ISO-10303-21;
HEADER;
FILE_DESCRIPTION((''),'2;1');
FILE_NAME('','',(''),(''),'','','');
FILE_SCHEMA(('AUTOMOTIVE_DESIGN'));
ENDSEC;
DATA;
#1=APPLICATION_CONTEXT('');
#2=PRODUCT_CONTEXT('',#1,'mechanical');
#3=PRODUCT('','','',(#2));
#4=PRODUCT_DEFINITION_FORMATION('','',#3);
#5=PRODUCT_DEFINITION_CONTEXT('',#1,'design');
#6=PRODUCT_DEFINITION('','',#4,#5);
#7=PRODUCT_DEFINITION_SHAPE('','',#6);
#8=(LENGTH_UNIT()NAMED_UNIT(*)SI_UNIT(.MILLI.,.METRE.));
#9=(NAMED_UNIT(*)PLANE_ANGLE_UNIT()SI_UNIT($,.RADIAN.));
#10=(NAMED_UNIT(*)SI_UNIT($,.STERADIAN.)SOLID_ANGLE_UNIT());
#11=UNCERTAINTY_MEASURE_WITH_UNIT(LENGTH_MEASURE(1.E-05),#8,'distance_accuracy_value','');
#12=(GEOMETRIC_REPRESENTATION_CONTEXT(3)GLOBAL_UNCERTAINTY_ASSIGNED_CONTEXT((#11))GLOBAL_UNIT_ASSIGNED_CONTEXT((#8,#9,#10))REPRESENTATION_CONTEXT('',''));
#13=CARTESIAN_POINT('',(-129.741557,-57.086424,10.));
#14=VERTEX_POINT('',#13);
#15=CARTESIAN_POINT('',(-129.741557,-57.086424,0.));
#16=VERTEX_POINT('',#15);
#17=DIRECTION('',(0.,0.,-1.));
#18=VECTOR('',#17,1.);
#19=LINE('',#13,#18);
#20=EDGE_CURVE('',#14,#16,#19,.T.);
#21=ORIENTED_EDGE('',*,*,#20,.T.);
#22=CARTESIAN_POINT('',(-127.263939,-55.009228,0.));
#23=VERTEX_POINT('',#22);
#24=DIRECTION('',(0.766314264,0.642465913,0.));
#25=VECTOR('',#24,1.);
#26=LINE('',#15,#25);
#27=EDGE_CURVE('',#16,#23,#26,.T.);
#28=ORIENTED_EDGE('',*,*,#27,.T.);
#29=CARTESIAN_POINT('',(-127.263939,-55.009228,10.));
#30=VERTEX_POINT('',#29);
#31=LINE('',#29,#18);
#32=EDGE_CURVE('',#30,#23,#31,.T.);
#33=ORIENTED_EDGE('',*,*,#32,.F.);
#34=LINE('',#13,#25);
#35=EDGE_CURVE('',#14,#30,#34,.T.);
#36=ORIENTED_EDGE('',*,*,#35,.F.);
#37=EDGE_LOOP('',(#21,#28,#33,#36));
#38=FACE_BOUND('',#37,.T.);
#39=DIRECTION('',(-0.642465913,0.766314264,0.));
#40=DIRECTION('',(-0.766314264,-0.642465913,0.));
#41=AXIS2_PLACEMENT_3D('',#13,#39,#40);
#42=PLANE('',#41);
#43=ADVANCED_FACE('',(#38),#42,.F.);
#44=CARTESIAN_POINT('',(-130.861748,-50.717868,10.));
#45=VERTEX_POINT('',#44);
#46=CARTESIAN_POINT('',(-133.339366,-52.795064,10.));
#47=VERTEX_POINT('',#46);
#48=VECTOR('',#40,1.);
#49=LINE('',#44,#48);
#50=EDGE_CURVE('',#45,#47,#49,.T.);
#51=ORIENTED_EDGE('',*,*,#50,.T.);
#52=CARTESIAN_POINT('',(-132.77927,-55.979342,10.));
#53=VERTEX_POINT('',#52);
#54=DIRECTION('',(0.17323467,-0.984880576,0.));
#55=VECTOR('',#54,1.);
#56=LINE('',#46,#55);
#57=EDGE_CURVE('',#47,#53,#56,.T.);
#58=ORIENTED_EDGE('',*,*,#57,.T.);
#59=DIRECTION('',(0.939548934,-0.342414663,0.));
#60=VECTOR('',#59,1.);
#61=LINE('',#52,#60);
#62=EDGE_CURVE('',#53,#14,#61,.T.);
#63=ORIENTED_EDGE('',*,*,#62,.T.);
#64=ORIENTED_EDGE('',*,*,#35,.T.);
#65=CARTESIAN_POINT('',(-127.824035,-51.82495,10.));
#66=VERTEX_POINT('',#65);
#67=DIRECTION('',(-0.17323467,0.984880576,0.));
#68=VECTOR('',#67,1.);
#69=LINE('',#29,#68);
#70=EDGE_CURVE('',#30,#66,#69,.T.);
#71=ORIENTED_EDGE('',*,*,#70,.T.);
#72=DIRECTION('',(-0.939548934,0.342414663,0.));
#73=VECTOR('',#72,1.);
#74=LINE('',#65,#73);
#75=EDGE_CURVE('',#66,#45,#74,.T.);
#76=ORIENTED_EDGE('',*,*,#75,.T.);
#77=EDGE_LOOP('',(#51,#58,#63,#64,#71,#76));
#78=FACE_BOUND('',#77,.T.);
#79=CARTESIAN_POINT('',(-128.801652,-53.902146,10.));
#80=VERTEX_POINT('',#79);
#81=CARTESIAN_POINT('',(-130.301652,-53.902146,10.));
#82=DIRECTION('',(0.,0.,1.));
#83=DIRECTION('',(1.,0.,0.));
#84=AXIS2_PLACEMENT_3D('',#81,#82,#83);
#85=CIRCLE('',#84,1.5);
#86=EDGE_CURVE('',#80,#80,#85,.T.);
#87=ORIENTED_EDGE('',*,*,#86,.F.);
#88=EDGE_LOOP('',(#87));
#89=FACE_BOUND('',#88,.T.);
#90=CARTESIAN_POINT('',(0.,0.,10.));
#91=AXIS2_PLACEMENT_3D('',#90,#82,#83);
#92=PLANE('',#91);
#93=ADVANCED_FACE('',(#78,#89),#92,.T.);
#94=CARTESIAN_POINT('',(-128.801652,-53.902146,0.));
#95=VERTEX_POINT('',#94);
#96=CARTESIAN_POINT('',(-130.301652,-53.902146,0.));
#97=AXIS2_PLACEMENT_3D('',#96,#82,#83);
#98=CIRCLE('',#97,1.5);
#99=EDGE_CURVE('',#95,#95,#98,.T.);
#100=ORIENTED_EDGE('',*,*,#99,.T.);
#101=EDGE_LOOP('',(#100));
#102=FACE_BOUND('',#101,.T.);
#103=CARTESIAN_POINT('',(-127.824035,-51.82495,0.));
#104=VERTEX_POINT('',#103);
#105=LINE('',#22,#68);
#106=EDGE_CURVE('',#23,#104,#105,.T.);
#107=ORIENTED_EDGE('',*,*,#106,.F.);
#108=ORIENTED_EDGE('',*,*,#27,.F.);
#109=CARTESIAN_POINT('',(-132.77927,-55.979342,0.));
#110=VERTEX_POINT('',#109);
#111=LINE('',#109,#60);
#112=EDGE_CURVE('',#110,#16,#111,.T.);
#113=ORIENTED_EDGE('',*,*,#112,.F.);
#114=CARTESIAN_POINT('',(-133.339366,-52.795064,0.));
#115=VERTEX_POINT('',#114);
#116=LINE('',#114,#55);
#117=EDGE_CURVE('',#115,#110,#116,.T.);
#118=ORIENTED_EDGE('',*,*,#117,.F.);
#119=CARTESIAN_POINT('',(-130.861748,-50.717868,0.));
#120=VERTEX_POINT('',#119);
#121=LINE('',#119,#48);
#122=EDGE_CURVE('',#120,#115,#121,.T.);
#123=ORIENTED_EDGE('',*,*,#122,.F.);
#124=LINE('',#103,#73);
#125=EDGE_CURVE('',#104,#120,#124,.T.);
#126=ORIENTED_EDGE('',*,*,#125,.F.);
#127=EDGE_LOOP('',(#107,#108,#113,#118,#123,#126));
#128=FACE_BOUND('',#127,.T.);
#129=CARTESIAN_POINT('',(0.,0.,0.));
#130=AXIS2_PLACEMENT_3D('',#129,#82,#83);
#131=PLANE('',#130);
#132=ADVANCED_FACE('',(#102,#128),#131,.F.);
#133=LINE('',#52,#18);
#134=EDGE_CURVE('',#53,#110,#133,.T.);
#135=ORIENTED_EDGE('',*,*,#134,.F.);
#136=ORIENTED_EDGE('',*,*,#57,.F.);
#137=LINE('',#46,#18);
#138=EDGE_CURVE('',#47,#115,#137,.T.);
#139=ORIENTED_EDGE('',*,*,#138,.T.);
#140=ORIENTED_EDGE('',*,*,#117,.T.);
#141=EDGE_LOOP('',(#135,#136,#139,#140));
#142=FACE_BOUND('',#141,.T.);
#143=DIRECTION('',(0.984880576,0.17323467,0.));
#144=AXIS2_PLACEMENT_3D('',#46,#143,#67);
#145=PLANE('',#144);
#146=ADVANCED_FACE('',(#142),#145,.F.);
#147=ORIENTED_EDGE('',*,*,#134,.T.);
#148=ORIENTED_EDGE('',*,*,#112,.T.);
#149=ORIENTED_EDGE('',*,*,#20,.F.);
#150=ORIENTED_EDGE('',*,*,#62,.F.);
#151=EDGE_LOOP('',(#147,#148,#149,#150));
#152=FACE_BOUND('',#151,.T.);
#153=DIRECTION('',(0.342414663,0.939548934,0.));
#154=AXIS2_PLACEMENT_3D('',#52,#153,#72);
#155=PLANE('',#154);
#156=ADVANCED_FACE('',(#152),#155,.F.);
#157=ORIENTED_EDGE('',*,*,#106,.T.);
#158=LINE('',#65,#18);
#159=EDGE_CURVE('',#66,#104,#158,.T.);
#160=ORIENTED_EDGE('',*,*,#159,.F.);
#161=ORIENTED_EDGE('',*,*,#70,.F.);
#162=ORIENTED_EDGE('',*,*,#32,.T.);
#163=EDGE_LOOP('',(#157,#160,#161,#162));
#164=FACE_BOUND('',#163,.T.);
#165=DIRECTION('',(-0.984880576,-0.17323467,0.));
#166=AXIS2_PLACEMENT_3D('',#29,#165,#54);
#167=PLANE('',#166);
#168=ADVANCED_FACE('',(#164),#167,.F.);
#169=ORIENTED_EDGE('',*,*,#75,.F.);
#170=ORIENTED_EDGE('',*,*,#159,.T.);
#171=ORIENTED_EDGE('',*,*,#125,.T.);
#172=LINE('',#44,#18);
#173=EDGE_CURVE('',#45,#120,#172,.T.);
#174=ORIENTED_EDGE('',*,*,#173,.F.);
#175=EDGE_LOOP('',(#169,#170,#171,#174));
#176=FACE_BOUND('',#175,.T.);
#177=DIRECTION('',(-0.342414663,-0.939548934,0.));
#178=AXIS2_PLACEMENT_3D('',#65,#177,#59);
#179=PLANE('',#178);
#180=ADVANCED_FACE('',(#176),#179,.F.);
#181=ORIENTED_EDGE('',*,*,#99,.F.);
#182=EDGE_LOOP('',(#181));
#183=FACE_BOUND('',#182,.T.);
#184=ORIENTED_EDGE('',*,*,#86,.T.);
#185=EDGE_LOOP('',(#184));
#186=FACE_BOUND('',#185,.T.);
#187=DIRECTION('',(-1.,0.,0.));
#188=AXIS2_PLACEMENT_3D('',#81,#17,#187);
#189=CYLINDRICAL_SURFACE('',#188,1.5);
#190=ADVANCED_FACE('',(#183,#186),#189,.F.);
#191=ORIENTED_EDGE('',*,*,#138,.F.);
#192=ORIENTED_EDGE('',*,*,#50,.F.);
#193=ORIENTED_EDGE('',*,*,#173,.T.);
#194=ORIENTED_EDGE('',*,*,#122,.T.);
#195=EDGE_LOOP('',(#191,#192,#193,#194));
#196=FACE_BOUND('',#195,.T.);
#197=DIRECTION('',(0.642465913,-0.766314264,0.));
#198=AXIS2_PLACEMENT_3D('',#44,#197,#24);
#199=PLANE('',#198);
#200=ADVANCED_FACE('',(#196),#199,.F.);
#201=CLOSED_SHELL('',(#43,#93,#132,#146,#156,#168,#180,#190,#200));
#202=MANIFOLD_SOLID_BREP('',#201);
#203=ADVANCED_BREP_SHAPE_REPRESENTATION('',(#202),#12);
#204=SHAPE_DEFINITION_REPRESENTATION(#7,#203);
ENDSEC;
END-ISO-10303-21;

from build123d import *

# Parameters (mm, degrees)
SKETCH_1_R      = 1.5
EXTRUDE_1_DEPTH = 10


with BuildPart() as part:
    # 草图1 → 凸台-拉伸1 (new body)
    with BuildSketch(Plane.XY):
        Polygon((-129.741556691, -57.086424359), (-127.263938912, -55.009228299), (-127.824034578, -51.824950331), (-130.861748025, -50.717868423), (-133.339365804, -52.795064483), (-132.779270137, -55.979342451), align=None)
        with Locations((-130.301652358, -53.902146391)):
            Circle(SKETCH_1_R, mode=Mode.SUBTRACT)
    extrude(amount=EXTRUDE_1_DEPTH)


solid = part.part
